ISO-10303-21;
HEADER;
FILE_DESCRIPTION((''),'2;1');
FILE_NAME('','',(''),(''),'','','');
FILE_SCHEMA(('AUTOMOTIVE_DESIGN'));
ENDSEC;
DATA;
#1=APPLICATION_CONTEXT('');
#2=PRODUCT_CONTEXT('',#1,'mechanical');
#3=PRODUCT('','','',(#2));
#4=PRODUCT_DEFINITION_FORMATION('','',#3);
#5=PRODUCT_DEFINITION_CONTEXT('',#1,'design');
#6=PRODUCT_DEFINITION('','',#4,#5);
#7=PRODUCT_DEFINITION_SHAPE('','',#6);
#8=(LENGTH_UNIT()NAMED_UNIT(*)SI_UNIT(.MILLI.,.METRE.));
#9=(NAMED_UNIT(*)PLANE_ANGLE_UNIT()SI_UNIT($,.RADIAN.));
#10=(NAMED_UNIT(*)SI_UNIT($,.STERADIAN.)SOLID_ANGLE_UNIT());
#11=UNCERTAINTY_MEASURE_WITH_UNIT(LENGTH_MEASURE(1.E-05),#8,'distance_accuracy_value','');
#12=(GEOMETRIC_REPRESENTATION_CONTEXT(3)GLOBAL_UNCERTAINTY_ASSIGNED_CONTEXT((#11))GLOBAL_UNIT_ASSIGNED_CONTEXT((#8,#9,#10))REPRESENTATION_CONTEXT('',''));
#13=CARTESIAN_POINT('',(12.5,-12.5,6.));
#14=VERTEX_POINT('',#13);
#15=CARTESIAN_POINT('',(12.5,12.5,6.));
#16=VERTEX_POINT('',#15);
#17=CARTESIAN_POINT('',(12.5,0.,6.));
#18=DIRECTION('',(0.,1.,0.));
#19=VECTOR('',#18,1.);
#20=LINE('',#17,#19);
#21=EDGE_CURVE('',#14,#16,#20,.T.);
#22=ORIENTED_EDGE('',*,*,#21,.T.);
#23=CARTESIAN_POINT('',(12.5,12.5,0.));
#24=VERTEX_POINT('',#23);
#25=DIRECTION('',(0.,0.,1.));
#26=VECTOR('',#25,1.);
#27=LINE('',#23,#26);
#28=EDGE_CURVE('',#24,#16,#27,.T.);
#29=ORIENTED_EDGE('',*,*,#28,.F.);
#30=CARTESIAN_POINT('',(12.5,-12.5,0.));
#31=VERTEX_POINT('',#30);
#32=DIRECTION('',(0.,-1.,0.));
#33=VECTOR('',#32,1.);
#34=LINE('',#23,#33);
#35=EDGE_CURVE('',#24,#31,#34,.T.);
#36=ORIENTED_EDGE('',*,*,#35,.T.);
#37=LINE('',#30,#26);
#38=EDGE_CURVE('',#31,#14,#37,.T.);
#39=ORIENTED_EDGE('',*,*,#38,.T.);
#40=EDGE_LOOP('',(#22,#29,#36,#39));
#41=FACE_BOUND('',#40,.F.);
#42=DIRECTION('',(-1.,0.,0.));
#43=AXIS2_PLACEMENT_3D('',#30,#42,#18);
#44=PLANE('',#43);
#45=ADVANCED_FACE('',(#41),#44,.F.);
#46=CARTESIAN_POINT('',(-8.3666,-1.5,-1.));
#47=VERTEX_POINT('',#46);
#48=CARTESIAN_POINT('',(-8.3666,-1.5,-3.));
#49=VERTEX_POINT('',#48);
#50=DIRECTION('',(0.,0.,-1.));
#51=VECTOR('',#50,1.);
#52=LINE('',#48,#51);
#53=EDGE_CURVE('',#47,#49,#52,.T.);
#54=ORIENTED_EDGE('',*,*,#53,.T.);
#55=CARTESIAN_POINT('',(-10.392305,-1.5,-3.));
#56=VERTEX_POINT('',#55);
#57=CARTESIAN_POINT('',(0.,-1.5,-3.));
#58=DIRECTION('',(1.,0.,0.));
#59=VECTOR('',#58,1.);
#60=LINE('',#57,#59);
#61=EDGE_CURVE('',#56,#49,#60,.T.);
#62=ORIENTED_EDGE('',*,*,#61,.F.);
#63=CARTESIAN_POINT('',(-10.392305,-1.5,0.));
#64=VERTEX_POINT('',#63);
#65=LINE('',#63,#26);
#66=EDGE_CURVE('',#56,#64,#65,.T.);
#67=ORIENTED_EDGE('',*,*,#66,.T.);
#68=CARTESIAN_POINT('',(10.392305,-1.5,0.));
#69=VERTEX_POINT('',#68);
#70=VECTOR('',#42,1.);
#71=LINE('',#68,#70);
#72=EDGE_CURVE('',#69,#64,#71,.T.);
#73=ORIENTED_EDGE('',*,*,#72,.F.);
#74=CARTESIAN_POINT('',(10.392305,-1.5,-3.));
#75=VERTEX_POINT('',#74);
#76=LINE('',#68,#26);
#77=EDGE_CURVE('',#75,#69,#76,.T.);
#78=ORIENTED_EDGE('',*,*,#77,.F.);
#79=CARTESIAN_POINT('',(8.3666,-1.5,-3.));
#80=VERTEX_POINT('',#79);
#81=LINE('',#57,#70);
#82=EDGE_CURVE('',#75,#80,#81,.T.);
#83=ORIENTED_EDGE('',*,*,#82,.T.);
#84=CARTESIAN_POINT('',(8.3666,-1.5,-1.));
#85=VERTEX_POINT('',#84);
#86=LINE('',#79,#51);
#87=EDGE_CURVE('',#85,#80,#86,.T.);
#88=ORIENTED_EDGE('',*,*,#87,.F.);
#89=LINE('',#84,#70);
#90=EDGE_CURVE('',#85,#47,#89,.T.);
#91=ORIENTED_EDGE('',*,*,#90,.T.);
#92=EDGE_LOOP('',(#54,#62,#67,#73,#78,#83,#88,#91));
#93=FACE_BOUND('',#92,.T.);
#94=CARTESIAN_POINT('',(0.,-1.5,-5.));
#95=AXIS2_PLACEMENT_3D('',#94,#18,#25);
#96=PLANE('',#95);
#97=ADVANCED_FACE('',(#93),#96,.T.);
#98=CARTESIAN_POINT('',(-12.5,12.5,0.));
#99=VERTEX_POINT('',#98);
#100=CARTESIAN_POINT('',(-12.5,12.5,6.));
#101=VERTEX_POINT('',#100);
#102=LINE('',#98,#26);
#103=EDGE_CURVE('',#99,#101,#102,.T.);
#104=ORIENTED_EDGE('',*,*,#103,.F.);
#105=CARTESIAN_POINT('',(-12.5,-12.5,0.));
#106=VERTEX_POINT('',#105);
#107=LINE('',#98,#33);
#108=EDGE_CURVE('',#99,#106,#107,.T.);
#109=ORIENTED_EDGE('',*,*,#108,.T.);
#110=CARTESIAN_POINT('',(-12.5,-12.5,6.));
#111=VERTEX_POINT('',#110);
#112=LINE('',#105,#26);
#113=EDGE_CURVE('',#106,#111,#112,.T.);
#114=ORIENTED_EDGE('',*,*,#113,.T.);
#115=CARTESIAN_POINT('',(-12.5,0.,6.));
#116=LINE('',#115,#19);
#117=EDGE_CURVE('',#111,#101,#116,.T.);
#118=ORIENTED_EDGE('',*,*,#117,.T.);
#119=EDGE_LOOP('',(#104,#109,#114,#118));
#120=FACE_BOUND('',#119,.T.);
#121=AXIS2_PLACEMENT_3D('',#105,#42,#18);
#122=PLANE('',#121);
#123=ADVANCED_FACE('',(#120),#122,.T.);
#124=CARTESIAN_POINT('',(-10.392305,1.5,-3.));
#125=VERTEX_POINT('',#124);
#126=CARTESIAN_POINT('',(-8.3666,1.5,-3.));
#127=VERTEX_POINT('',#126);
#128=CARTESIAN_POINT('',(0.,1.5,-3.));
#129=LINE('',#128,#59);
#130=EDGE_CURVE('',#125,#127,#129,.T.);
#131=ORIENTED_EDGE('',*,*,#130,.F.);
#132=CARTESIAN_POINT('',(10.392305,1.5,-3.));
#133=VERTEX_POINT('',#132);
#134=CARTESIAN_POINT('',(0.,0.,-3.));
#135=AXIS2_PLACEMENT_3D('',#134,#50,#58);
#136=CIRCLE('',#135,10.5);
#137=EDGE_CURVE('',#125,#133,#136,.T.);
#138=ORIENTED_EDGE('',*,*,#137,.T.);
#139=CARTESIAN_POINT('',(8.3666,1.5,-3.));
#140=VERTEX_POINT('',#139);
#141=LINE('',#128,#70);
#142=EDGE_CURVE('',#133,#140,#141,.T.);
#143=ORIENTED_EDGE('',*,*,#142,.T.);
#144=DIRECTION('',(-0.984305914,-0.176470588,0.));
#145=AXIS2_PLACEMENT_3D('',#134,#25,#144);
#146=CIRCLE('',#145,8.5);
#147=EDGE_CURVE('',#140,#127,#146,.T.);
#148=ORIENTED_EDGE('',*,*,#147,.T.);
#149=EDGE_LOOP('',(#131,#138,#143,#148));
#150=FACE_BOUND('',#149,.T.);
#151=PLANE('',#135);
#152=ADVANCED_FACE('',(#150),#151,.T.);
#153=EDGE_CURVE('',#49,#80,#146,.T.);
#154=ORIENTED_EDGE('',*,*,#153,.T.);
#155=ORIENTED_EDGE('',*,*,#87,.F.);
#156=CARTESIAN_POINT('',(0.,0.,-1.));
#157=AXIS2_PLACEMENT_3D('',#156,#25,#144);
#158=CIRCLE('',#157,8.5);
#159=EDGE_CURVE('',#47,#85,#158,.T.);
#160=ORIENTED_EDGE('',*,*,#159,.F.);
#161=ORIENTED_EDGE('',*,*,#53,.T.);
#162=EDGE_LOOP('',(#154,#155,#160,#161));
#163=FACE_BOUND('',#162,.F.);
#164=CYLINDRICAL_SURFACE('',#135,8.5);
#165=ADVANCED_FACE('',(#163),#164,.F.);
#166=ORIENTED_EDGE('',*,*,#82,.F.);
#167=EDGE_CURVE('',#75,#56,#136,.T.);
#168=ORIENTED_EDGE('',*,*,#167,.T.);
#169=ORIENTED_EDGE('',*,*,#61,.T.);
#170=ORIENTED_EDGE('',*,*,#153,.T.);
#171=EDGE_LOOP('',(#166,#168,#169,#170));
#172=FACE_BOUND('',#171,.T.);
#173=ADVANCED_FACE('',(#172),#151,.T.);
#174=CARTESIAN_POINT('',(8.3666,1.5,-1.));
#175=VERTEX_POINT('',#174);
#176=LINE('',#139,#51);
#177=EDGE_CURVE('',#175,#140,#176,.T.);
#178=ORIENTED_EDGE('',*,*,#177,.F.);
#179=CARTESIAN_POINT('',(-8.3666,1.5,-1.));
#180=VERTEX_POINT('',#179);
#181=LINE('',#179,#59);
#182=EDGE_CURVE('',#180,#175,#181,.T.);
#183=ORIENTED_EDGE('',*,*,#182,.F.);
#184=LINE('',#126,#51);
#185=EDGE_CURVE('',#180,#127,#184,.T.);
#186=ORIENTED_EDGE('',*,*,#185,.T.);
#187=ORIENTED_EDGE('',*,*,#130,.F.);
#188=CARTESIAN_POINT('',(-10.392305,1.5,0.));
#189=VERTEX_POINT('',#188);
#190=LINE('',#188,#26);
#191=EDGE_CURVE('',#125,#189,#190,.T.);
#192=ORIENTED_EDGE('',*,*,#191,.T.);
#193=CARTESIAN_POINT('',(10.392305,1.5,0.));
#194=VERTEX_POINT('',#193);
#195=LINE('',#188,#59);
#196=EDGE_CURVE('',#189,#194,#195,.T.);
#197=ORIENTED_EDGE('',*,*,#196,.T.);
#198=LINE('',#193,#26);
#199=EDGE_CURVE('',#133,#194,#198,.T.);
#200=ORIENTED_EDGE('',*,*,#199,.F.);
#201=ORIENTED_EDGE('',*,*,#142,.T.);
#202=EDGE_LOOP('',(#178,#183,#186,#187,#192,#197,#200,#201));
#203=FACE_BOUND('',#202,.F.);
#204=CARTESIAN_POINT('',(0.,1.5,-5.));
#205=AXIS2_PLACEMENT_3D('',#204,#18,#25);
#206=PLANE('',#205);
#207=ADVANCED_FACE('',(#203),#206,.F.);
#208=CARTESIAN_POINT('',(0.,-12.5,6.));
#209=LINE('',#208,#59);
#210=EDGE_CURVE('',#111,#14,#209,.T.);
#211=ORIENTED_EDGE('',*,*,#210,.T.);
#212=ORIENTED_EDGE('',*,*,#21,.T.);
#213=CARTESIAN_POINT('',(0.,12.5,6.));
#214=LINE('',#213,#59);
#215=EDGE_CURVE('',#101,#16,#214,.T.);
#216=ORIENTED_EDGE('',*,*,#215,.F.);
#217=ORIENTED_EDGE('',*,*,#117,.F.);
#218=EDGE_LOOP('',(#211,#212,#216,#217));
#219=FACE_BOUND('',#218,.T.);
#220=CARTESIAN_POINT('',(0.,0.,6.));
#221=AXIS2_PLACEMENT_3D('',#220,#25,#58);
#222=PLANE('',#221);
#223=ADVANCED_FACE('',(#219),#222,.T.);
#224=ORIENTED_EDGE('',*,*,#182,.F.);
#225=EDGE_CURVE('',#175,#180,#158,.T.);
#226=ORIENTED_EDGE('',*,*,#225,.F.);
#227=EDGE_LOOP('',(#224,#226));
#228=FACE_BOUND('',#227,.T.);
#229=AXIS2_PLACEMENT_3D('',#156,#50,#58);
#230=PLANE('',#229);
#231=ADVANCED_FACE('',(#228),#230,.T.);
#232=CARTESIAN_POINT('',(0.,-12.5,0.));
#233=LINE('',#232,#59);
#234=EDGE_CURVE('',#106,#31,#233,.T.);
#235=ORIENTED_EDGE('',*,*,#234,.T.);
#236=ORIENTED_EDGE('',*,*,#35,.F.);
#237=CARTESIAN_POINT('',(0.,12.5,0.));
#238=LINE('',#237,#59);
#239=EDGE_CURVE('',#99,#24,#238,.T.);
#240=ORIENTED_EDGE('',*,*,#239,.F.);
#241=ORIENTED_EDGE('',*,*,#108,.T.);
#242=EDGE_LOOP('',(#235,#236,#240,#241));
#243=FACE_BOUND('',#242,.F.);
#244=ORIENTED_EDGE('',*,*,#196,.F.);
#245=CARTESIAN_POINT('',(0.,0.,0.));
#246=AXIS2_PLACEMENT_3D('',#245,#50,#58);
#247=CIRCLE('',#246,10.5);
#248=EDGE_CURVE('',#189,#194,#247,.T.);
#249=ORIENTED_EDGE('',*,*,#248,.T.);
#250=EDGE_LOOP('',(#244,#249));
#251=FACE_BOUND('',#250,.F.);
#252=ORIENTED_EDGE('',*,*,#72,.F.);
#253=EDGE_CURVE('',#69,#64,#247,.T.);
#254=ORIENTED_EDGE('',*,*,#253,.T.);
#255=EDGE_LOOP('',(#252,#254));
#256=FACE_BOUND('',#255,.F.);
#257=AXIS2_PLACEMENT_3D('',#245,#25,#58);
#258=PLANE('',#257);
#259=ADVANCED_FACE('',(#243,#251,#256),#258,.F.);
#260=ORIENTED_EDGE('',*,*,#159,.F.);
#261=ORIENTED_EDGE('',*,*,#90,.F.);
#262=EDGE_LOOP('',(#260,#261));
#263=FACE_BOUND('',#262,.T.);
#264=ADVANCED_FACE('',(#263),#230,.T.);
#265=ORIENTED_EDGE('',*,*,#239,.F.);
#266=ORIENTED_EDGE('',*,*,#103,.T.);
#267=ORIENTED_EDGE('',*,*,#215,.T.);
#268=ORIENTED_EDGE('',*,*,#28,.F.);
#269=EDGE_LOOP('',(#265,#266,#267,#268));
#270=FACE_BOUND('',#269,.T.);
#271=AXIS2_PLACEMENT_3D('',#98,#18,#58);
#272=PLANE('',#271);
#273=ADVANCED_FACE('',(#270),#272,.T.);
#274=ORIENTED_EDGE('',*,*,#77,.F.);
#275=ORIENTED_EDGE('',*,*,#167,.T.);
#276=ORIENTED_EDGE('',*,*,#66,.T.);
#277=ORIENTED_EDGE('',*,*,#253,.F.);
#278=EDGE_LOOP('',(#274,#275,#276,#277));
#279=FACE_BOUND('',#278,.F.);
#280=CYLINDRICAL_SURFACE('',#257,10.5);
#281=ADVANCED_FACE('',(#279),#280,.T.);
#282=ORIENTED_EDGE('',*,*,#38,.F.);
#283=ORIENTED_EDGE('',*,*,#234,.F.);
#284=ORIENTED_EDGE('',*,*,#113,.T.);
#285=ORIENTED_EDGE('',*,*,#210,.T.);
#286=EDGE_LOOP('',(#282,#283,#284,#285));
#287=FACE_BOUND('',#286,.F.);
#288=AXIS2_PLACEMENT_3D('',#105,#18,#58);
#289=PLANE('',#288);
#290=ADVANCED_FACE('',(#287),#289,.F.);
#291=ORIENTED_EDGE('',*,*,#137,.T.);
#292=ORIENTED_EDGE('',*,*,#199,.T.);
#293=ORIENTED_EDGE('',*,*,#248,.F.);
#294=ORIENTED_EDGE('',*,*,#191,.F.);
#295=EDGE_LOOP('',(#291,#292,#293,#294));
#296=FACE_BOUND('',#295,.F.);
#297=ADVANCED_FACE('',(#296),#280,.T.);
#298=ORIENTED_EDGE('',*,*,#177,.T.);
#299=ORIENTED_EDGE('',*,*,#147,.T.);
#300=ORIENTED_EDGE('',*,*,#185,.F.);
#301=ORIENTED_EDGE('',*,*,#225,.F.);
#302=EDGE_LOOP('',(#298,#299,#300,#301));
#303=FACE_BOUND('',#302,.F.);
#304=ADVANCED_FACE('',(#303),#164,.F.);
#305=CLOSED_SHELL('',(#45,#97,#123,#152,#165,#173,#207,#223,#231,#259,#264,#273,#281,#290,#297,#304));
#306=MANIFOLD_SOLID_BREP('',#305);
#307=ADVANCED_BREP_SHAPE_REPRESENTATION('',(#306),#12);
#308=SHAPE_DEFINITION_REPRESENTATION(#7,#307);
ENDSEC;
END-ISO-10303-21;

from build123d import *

# Parameters (mm, degrees)
F0_W          = 25
F0_H          = 25
F1_DEPTH      = 6
F2_R          = 10.5
F3_DEPTH      = 3
F4_R          = 8.5
F5_DEPTH      = 2
F6_W          = 3
F6_H          = 5
F7_DEPTH      = 25
F7_DEPTH_BACK = 25


with BuildPart() as f1:
    # F0 (on Top) → F1 (new body)
    with BuildSketch(Plane.XY):
        Rectangle(F0_W, F0_H)
    extrude(amount=F1_DEPTH)

    # F2 (on face) → F3 (join)
    with BuildSketch(Plane(origin=(0, 0, 0), x_dir=(1, 0, 0), z_dir=(0, 0, -1))):
        Circle(F2_R)
    extrude(amount=F3_DEPTH)

    # F4 (on face) → F5 (cut)
    with BuildSketch(Plane(origin=(0, 0, -3), x_dir=(1, 0, 0), z_dir=(0, 0, -1))):
        Circle(F4_R)
    extrude(amount=-F5_DEPTH, mode=Mode.SUBTRACT)

    # F6 (on Right) → F7 (cut, two sides)
    with BuildSketch(Plane.YZ) as f7_sk:
        with Locations((0, -2.5)):
            Rectangle(F6_W, F6_H)
    extrude(amount=-F7_DEPTH, mode=Mode.SUBTRACT)
    extrude(f7_sk.sketch, amount=F7_DEPTH_BACK, mode=Mode.SUBTRACT)


solid = f1.part
